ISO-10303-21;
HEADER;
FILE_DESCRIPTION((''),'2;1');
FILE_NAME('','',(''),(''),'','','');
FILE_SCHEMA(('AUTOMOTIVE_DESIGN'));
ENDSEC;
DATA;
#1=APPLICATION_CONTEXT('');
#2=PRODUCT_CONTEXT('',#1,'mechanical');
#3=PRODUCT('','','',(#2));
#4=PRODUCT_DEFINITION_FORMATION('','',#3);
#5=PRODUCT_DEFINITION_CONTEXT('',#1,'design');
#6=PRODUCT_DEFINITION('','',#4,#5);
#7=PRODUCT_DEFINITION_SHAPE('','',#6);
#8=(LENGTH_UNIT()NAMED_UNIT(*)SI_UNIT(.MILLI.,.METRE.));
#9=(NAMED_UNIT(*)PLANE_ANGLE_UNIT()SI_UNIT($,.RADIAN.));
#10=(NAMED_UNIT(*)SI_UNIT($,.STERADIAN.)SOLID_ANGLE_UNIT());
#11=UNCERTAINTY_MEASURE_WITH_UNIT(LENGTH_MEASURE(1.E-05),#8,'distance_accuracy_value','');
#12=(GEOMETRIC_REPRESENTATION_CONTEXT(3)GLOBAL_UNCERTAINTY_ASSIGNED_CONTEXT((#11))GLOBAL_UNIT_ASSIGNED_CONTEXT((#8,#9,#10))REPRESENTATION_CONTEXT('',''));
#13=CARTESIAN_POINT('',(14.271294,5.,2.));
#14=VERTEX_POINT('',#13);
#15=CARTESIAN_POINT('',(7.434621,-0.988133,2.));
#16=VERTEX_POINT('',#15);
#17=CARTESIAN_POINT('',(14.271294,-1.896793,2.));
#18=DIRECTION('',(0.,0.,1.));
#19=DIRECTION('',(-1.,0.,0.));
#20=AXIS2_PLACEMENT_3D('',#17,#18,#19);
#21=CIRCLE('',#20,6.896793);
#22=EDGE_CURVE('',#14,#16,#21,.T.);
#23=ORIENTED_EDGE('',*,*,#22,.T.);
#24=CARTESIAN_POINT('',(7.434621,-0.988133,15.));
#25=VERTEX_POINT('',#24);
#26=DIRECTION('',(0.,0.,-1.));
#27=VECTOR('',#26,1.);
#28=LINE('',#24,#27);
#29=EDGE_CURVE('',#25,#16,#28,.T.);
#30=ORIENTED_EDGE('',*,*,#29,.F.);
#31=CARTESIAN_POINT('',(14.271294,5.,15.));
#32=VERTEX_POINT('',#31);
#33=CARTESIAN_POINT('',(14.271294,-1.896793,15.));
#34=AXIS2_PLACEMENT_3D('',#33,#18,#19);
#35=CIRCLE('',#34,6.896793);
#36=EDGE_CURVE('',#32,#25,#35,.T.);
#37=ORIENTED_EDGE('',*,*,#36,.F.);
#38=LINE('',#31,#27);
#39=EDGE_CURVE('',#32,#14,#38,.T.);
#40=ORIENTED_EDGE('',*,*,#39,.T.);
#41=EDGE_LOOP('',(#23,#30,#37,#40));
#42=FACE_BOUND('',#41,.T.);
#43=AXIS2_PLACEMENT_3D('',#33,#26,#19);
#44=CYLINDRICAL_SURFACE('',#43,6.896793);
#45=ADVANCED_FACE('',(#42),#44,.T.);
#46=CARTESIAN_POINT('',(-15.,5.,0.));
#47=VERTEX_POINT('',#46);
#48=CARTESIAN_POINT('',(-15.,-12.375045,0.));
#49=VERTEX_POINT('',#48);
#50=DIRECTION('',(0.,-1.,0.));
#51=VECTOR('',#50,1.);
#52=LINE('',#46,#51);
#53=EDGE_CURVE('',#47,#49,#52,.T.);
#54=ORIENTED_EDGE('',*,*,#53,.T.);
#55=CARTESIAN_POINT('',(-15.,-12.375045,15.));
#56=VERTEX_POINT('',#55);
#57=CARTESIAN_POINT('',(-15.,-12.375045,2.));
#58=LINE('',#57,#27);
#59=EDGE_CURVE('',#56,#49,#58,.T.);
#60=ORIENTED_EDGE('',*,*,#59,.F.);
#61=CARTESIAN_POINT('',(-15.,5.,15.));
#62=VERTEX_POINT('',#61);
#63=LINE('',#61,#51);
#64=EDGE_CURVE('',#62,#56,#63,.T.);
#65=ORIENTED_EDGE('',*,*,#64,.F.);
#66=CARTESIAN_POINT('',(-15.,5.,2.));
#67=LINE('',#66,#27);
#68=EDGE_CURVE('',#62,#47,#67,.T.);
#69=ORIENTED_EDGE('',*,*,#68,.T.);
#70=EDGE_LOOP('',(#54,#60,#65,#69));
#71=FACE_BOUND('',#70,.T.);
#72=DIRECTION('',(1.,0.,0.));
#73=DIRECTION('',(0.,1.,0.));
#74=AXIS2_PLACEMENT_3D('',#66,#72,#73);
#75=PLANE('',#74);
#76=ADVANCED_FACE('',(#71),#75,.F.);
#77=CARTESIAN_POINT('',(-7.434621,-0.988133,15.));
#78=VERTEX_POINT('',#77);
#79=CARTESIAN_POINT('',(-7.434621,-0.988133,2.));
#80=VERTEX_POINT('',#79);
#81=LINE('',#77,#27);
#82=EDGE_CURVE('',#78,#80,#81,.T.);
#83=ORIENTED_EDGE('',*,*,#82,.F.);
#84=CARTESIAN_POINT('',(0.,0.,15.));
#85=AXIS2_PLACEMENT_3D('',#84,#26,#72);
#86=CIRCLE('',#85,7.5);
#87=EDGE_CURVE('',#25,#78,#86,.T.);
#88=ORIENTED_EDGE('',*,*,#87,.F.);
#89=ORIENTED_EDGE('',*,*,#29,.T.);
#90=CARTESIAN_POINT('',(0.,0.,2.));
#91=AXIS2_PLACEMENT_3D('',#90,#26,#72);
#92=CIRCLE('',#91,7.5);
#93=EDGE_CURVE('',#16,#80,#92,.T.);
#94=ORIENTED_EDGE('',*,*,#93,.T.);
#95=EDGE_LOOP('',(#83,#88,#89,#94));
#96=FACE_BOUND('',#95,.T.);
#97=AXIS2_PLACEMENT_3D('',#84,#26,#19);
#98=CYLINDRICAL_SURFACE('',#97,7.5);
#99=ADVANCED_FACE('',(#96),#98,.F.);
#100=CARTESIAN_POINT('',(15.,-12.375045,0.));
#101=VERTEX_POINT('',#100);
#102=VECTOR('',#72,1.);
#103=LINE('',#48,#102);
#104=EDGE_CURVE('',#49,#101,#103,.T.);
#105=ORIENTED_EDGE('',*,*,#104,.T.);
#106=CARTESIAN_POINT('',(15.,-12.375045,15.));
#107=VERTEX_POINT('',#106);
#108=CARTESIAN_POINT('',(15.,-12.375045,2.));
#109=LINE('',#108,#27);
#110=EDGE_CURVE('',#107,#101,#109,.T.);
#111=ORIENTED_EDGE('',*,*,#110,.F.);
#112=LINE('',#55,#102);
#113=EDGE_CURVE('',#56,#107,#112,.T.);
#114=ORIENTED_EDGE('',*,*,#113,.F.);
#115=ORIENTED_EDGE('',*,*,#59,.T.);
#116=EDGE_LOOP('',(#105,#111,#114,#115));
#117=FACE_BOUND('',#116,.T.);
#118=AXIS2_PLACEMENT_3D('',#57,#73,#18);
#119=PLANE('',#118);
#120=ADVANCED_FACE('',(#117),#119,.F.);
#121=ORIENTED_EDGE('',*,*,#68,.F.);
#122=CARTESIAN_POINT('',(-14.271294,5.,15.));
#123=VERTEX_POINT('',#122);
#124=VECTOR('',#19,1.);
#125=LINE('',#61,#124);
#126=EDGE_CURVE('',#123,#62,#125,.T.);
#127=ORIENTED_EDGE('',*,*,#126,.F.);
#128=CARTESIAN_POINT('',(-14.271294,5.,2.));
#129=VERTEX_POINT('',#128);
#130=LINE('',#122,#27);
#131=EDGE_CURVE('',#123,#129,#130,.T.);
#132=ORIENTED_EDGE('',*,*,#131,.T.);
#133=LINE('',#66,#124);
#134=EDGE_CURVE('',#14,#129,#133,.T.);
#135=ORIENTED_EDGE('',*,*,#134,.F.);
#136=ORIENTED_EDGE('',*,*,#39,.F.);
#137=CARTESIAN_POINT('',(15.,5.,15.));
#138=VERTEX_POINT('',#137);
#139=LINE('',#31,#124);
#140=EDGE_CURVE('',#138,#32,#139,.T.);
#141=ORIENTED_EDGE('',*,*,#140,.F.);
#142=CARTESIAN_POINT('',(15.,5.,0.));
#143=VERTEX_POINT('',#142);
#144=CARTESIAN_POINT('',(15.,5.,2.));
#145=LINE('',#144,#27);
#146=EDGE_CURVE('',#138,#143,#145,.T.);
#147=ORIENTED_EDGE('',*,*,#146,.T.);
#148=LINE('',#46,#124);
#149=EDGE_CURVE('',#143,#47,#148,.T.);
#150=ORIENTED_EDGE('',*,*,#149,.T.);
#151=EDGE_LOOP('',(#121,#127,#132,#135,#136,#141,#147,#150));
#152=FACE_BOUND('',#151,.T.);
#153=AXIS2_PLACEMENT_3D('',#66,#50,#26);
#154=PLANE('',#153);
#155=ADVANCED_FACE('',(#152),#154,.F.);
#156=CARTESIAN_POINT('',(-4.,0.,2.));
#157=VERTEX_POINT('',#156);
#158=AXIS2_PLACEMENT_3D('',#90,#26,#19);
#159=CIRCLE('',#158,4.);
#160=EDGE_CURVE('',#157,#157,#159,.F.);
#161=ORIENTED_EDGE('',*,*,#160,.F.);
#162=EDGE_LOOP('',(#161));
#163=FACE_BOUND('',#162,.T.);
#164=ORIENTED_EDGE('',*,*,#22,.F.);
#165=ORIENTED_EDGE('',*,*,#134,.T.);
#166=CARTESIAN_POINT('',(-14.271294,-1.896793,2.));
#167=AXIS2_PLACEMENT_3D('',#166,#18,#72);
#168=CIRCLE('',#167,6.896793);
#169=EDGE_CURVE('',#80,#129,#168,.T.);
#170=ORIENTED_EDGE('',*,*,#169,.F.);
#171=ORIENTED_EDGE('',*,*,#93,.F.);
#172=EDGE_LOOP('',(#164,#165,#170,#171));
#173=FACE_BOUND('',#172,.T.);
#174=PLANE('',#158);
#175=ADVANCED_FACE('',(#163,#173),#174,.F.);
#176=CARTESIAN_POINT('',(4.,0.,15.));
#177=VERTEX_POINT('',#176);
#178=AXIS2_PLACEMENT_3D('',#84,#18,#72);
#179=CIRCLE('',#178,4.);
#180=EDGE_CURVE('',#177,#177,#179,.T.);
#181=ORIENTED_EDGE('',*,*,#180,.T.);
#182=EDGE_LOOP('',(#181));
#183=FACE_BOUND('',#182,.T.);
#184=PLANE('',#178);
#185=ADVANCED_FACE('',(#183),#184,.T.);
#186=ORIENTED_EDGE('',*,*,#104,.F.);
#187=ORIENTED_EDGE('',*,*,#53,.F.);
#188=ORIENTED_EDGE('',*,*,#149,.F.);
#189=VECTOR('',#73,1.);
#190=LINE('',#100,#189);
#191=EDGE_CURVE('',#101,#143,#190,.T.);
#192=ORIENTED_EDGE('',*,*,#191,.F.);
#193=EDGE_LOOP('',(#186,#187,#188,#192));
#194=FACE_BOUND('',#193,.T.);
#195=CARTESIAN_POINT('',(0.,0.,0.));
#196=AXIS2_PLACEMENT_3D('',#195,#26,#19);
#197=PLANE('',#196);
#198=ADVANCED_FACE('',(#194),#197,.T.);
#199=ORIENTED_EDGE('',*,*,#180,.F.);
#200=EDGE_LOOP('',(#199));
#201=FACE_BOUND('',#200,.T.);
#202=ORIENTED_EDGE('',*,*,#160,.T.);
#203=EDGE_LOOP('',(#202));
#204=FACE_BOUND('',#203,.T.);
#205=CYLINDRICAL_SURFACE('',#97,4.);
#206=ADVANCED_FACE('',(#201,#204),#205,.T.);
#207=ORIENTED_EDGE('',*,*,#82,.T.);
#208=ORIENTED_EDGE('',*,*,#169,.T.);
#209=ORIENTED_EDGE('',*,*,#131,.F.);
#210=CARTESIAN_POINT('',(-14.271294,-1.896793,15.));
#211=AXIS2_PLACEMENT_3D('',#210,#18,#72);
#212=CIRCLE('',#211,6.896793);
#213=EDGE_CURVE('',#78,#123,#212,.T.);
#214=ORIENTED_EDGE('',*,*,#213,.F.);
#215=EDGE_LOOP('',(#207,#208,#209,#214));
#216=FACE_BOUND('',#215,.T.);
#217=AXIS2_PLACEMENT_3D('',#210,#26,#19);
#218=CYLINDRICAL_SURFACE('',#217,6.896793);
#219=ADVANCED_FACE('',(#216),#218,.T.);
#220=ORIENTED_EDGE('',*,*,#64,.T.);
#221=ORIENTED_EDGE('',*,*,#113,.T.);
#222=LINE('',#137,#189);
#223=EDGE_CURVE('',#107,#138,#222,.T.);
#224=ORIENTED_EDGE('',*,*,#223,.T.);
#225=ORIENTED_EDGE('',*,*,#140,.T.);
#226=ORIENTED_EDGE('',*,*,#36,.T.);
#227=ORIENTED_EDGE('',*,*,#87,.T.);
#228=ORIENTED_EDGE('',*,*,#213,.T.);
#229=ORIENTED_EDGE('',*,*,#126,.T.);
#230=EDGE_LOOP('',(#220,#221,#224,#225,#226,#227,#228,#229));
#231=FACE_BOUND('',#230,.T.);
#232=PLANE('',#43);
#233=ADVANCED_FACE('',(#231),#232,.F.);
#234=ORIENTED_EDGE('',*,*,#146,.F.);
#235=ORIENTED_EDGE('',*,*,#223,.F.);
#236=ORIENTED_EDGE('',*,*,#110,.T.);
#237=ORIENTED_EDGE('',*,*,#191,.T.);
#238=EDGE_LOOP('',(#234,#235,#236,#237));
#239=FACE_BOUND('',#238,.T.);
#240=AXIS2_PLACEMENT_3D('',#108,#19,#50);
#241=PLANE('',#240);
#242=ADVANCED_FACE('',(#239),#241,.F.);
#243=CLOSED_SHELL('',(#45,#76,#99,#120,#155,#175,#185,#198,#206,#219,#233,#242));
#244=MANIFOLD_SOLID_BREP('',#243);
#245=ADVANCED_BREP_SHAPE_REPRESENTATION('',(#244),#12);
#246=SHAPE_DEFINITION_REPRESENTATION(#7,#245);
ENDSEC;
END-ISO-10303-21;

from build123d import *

# Parameters (mm, degrees)
CROQUIS2_W              = 30
CROQUIS2_H              = 17.375045376
SALIENTE_EXTRUIR1_DEPTH = 2
CROQUIS3_R              = 4
SALIENTE_EXTRUIR2_DEPTH = 13


with BuildPart() as part:
    # Croquis2 → Saliente-Extruir1 (new body)
    with BuildSketch(Plane.XY):
        with Locations((0, -3.687522688)):
            Rectangle(CROQUIS2_W, CROQUIS2_H)
    extrude(amount=SALIENTE_EXTRUIR1_DEPTH)

    # Croquis3 → Saliente-Extruir2 (add)
    with BuildSketch(Plane.XY.offset(2)):
        Circle(CROQUIS3_R)
        with BuildLine():
            Line((-15, 5), (-14.271293534, 5))
            ThreePointArc((-14.271293534, 5), (-9.727126272, 3.291298824), (-7.434621256, -0.98813298))
            ThreePointArc((-7.434621256, -0.98813298), (0, -7.5), (7.434621256, -0.98813298))
            ThreePointArc((7.434621256, -0.98813298), (9.727126272, 3.291298824), (14.271293534, 5))
            Line((14.271293534, 5), (15, 5))
            Line((15, 5), (15, -12.375045376))
            Line((15, -12.375045376), (-15, -12.375045376))
            Line((-15, -12.375045376), (-15, 5))
        make_face()
    extrude(amount=SALIENTE_EXTRUIR2_DEPTH)


solid = part.part
